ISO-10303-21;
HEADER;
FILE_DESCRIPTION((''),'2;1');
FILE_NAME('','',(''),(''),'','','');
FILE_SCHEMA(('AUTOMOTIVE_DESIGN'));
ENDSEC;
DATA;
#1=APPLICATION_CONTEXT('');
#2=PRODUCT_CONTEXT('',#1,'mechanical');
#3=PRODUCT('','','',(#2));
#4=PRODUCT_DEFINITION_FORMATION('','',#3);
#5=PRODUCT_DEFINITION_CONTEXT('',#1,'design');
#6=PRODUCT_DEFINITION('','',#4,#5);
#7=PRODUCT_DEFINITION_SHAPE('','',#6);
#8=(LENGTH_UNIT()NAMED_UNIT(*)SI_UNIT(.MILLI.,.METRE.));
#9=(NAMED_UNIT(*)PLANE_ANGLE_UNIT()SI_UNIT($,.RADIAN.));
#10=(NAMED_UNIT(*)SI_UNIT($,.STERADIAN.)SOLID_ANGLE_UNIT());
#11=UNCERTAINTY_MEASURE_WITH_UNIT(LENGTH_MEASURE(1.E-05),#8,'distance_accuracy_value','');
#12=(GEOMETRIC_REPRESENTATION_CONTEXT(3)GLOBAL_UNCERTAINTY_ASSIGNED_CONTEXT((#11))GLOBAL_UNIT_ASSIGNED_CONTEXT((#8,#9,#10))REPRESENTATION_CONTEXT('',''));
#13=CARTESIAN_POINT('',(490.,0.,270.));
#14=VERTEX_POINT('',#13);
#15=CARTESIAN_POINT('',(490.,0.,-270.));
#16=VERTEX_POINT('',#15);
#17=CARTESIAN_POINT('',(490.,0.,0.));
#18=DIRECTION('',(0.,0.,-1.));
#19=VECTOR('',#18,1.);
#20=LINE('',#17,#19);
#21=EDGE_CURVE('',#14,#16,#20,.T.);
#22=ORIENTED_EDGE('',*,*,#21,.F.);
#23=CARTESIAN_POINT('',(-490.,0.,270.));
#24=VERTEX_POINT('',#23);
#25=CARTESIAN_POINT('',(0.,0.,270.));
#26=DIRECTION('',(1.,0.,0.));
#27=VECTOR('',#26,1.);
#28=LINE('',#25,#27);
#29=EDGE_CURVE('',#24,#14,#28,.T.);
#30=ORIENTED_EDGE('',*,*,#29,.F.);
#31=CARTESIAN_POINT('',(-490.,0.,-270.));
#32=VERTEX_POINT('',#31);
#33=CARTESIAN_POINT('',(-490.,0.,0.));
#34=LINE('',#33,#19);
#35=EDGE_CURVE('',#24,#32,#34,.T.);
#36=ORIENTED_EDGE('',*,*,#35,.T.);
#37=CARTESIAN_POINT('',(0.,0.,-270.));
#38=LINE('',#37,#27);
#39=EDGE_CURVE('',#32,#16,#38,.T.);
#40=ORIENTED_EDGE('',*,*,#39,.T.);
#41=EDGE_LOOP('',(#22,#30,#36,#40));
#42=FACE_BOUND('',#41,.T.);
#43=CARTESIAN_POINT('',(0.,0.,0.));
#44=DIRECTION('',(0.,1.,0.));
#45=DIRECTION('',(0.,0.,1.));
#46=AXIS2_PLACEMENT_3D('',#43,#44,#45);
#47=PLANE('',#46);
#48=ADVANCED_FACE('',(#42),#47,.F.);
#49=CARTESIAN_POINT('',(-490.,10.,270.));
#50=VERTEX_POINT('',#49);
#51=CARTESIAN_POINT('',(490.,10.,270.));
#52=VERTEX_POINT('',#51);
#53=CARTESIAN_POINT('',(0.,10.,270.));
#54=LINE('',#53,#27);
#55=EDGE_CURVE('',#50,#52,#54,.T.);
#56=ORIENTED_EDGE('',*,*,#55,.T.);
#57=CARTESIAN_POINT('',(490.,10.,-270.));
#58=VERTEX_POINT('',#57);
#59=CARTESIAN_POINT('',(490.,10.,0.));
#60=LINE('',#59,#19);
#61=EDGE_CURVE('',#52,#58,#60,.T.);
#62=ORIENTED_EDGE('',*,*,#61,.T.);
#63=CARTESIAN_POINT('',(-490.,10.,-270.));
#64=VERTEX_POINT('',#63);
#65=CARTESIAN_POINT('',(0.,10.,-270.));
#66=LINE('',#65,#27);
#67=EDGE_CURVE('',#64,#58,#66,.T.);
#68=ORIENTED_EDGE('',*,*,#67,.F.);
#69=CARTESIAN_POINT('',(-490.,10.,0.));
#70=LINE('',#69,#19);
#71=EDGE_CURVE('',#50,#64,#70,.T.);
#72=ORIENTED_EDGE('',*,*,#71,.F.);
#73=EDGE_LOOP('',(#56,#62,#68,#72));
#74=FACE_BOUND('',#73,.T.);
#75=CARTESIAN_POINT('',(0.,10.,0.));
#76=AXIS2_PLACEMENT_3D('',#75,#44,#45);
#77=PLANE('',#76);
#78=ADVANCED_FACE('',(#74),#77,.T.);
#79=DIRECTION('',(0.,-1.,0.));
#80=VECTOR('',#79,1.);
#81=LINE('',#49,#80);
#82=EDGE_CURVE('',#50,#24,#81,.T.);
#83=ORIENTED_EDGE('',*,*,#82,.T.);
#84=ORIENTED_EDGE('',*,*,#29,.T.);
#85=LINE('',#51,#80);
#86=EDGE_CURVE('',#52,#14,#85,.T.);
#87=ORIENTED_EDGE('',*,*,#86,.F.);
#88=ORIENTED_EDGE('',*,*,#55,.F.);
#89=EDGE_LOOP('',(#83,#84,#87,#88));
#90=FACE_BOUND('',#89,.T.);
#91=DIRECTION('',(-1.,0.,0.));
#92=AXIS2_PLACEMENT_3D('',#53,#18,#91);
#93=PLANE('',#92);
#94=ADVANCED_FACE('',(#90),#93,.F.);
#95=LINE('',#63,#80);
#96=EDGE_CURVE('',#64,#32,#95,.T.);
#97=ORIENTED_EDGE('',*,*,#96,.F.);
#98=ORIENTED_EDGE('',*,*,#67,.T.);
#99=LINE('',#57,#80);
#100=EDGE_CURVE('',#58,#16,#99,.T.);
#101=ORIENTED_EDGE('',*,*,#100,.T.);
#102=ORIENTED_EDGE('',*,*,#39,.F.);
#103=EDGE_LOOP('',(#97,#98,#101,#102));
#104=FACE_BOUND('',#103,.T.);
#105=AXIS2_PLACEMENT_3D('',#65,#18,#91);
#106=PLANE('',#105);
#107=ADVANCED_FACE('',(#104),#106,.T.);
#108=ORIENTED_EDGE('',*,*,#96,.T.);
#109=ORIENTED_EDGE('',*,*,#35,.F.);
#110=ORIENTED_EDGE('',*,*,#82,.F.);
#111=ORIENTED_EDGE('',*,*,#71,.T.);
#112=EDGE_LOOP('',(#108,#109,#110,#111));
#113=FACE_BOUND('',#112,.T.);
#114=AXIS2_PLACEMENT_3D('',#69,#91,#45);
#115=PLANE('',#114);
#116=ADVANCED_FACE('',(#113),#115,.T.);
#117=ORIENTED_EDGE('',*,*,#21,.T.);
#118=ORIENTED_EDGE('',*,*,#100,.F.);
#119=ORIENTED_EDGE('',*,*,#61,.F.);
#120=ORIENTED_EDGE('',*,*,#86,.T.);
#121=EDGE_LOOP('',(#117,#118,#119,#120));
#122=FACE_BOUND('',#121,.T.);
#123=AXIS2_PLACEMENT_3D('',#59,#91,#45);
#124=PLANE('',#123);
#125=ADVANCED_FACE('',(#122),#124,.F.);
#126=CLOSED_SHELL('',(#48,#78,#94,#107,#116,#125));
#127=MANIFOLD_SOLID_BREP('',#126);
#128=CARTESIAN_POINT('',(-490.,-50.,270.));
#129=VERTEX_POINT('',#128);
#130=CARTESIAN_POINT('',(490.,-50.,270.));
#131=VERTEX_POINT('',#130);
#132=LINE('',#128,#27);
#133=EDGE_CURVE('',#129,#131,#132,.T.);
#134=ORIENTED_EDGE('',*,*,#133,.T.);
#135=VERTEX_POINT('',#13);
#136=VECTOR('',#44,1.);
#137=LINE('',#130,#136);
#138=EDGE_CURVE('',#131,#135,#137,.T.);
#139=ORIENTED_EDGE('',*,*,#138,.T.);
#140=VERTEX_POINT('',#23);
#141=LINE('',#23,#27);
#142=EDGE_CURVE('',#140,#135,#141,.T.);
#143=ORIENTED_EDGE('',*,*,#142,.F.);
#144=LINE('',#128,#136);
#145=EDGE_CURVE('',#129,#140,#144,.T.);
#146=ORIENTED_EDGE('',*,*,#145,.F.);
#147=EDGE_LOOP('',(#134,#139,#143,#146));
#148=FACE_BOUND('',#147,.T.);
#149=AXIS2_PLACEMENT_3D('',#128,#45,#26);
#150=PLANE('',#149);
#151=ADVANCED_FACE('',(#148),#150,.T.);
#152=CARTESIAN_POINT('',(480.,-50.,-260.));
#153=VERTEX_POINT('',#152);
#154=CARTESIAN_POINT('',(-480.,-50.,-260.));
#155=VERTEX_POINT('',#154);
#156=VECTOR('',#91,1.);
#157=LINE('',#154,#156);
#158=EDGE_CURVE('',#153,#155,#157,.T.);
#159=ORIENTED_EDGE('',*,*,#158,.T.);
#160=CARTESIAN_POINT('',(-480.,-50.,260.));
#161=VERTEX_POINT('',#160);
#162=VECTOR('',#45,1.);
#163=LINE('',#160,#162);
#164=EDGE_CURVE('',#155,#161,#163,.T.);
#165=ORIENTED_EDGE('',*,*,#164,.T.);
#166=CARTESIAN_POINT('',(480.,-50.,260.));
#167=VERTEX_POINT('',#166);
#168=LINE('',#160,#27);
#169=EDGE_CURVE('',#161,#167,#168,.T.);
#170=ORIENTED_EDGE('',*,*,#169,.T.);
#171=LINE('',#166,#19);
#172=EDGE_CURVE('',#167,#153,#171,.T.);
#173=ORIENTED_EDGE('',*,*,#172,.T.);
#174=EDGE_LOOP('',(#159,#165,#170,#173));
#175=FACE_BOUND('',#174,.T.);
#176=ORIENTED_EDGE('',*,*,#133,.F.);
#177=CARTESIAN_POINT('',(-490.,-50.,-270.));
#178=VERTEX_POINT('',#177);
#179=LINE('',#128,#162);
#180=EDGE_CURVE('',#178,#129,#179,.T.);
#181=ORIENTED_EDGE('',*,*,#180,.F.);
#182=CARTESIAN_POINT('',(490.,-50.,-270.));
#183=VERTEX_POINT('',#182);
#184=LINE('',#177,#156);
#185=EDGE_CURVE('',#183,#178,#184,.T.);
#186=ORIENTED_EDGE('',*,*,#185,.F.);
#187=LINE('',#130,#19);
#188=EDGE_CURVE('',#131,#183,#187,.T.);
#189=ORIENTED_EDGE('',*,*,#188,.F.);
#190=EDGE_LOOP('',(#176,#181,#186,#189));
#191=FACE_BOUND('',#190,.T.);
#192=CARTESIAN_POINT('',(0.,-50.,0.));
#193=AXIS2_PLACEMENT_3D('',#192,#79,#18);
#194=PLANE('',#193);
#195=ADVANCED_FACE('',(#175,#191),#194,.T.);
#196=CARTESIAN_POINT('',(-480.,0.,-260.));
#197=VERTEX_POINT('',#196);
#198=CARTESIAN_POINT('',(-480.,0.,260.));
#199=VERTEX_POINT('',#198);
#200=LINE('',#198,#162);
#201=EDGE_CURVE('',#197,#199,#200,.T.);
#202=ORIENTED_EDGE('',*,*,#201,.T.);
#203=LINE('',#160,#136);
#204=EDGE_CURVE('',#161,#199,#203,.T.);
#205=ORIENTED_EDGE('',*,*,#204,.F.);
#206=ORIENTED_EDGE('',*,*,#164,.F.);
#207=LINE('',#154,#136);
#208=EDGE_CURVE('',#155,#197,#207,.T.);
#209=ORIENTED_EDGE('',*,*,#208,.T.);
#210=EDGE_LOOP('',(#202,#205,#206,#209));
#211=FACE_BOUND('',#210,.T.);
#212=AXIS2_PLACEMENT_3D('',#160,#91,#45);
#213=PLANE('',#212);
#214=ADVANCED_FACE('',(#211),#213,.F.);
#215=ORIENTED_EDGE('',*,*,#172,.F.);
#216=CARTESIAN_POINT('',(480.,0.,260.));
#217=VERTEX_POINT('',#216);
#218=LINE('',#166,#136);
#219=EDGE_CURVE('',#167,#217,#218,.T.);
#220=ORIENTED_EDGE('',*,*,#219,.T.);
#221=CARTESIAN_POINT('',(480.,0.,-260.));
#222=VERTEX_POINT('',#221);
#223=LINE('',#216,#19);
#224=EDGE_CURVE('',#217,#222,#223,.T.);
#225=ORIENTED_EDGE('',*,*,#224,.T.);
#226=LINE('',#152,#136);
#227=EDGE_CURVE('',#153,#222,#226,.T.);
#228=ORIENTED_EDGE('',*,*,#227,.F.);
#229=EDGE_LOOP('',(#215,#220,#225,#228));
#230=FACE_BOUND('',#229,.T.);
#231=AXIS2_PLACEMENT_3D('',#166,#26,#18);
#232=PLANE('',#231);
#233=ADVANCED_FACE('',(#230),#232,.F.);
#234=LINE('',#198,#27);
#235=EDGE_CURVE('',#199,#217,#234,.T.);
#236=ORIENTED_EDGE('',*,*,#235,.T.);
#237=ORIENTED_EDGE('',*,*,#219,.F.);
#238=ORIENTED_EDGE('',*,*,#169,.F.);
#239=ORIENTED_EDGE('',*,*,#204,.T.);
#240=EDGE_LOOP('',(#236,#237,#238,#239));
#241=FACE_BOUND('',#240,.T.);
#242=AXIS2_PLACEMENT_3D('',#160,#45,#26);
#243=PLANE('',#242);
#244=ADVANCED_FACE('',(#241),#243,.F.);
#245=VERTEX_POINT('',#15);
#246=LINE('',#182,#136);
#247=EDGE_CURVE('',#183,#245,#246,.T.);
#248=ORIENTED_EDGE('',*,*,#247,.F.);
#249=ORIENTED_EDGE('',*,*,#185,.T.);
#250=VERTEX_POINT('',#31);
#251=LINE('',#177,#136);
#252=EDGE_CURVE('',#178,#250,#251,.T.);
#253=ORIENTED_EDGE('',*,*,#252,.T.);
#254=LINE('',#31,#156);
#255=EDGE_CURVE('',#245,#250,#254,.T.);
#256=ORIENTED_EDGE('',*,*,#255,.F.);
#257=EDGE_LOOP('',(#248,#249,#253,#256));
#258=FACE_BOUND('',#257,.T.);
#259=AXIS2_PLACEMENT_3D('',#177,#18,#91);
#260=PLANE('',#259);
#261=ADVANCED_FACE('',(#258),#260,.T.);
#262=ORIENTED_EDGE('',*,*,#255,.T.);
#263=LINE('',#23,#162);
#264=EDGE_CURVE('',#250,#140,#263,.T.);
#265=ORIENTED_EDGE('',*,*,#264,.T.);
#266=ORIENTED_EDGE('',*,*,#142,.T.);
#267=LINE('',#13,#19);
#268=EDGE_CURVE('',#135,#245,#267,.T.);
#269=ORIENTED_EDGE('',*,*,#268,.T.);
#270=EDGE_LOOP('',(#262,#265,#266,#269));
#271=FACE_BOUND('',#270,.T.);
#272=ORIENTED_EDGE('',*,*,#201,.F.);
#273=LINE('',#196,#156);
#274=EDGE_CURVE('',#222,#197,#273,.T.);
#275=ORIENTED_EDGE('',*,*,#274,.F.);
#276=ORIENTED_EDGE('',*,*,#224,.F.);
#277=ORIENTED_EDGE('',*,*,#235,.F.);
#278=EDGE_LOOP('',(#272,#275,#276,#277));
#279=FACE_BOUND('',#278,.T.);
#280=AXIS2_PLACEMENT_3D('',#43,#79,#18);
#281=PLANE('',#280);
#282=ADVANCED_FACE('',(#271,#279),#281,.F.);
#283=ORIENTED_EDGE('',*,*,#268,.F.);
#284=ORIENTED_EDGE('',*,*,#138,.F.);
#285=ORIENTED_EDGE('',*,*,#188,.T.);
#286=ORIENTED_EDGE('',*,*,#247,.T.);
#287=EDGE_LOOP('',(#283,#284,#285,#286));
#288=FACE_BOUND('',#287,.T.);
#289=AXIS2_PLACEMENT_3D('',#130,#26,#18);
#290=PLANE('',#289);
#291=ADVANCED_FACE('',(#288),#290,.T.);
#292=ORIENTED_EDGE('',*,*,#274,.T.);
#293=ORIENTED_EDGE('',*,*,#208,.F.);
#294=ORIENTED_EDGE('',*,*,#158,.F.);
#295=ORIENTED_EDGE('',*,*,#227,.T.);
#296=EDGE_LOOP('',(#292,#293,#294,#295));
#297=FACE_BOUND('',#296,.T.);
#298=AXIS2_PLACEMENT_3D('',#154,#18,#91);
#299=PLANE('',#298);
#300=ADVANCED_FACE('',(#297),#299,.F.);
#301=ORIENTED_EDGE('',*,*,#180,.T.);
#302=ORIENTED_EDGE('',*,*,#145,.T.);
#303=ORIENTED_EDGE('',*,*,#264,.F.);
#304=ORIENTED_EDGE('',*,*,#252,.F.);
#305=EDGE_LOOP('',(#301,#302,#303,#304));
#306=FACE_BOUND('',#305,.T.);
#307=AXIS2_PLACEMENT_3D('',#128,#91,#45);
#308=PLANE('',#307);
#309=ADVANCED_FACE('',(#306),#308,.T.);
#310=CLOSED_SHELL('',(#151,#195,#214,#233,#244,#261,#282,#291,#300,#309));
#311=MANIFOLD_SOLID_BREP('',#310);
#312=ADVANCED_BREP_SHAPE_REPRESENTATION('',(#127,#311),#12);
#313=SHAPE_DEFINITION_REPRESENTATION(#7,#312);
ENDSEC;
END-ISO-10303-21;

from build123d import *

# Parameters (mm, degrees)
SKETCH1_W           = 980
SKETCH1_H           = 540
BOSS_EXTRUDE1_DEPTH = 10
SKETCH1_3_W         = 980
SKETCH1_3_H         = 540
SKETCH1_3_W_2       = 960
SKETCH1_3_H_2       = 520
BOSS_EXTRUDE2_DEPTH = 50


with BuildPart() as part:
    # Sketch1 → Boss-Extrude1 (new body)
    with BuildSketch(Plane(origin=(0, 0, 0), x_dir=(1, 0, 0), z_dir=(0, 1, 0))):
        Rectangle(SKETCH1_W, SKETCH1_H)
    extrude(amount=BOSS_EXTRUDE1_DEPTH)


with BuildPart() as body_2:
    # Sketch1<3> → Boss-Extrude2 (new body)
    with BuildSketch(Plane(origin=(0, 0, 0), x_dir=(1, 0, 0), z_dir=(0, 1, 0))):
        Rectangle(SKETCH1_3_W, SKETCH1_3_H)
        Rectangle(SKETCH1_3_W_2, SKETCH1_3_H_2, mode=Mode.SUBTRACT)
    extrude(amount=-BOSS_EXTRUDE2_DEPTH)


solid = Compound([part.part, body_2.part])
